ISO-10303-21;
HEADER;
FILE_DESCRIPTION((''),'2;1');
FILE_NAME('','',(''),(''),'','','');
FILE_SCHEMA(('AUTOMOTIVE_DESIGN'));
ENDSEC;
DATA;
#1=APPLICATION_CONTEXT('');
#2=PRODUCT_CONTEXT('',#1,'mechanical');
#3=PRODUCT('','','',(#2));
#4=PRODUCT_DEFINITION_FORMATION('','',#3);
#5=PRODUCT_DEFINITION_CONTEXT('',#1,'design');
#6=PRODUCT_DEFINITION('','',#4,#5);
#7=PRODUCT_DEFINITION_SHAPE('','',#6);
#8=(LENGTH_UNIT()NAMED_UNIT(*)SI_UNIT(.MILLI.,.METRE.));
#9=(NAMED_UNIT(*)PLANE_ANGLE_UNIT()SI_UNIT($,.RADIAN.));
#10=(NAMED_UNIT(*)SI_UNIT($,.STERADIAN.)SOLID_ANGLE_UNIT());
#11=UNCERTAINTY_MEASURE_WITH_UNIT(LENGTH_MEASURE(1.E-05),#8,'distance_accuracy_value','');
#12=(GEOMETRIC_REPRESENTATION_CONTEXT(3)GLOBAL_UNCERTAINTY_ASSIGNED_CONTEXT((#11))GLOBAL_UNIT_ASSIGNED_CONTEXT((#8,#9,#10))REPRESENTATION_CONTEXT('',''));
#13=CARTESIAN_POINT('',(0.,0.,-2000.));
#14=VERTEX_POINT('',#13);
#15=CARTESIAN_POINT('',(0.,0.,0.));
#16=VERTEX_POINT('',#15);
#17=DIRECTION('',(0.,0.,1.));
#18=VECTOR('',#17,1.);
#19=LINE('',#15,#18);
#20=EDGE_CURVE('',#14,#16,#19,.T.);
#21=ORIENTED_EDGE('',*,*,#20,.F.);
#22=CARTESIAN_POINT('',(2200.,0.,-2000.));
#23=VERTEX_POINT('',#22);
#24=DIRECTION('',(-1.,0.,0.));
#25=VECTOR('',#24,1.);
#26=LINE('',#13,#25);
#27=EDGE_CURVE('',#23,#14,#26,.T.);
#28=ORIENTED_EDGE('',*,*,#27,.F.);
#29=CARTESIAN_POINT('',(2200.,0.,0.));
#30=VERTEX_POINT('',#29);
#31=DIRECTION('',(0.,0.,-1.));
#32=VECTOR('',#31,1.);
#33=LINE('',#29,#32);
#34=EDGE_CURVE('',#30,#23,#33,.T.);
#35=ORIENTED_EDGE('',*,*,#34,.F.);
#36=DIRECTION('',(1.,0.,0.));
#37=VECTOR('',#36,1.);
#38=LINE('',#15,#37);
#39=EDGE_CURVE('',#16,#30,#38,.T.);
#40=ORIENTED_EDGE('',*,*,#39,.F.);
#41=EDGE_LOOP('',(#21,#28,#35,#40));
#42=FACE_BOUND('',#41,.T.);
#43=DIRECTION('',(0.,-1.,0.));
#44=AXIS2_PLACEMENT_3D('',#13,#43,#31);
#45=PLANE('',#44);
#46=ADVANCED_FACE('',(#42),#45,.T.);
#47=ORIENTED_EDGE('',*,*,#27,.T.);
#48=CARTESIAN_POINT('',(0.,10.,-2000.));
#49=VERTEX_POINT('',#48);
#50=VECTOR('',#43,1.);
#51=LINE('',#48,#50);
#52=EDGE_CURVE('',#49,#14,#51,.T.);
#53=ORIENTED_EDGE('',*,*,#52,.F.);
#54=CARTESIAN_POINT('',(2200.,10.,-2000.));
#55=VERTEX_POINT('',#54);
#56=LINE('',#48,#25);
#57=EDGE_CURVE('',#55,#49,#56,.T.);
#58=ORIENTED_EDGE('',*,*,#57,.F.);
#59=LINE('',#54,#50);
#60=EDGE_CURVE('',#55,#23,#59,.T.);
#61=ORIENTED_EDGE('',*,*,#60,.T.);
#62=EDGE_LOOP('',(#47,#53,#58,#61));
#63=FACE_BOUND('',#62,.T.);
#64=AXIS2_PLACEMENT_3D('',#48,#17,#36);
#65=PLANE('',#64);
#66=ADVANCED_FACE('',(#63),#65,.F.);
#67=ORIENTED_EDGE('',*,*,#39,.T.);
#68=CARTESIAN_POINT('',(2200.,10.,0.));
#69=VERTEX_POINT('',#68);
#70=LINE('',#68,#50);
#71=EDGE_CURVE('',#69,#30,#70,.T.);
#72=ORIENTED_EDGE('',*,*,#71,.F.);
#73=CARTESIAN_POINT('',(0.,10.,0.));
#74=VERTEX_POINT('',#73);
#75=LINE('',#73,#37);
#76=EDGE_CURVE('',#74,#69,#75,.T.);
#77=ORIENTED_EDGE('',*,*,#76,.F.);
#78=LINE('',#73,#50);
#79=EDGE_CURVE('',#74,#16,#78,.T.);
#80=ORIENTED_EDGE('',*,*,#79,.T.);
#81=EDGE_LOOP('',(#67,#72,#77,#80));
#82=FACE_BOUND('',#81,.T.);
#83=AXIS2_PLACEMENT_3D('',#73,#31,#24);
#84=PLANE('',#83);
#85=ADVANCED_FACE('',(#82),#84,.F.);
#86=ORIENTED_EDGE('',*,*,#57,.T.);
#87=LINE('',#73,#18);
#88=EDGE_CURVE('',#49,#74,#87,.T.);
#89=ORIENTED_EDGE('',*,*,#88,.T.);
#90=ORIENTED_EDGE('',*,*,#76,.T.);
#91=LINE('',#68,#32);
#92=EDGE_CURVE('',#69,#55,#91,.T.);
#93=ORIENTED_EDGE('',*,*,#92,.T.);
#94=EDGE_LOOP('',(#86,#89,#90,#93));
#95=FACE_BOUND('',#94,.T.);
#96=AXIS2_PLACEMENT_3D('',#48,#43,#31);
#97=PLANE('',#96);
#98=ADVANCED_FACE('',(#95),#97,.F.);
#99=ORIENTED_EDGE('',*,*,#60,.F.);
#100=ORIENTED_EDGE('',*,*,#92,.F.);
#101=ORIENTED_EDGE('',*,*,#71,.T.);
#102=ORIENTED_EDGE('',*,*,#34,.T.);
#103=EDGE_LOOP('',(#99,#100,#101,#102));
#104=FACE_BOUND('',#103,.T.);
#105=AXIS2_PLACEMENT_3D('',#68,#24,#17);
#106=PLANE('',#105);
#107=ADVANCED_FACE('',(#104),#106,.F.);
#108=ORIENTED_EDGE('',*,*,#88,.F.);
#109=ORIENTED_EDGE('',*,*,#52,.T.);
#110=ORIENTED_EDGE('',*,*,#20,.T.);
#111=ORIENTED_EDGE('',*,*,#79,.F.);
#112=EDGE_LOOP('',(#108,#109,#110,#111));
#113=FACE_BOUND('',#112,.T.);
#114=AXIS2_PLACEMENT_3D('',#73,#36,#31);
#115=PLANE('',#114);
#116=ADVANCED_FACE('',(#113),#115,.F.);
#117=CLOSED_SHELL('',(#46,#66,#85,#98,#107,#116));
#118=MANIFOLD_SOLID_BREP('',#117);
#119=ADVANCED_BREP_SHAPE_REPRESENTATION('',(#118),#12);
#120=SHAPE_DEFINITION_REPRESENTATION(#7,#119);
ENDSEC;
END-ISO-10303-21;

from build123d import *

# Parameters (mm, degrees)
ESQUISSE1_W      = 2200
ESQUISSE1_H      = 2000
EXTRUSION1_DEPTH = 10


with BuildPart() as part:
    # Esquisse1 → Extrusion1 (new body)
    with BuildSketch(Plane(origin=(0, 0, 0), x_dir=(1, 0, 0), z_dir=(0, 1, 0))):
        with Locations((1100, 1000)):
            Rectangle(ESQUISSE1_W, ESQUISSE1_H)
    extrude(amount=EXTRUSION1_DEPTH)


solid = part.part
